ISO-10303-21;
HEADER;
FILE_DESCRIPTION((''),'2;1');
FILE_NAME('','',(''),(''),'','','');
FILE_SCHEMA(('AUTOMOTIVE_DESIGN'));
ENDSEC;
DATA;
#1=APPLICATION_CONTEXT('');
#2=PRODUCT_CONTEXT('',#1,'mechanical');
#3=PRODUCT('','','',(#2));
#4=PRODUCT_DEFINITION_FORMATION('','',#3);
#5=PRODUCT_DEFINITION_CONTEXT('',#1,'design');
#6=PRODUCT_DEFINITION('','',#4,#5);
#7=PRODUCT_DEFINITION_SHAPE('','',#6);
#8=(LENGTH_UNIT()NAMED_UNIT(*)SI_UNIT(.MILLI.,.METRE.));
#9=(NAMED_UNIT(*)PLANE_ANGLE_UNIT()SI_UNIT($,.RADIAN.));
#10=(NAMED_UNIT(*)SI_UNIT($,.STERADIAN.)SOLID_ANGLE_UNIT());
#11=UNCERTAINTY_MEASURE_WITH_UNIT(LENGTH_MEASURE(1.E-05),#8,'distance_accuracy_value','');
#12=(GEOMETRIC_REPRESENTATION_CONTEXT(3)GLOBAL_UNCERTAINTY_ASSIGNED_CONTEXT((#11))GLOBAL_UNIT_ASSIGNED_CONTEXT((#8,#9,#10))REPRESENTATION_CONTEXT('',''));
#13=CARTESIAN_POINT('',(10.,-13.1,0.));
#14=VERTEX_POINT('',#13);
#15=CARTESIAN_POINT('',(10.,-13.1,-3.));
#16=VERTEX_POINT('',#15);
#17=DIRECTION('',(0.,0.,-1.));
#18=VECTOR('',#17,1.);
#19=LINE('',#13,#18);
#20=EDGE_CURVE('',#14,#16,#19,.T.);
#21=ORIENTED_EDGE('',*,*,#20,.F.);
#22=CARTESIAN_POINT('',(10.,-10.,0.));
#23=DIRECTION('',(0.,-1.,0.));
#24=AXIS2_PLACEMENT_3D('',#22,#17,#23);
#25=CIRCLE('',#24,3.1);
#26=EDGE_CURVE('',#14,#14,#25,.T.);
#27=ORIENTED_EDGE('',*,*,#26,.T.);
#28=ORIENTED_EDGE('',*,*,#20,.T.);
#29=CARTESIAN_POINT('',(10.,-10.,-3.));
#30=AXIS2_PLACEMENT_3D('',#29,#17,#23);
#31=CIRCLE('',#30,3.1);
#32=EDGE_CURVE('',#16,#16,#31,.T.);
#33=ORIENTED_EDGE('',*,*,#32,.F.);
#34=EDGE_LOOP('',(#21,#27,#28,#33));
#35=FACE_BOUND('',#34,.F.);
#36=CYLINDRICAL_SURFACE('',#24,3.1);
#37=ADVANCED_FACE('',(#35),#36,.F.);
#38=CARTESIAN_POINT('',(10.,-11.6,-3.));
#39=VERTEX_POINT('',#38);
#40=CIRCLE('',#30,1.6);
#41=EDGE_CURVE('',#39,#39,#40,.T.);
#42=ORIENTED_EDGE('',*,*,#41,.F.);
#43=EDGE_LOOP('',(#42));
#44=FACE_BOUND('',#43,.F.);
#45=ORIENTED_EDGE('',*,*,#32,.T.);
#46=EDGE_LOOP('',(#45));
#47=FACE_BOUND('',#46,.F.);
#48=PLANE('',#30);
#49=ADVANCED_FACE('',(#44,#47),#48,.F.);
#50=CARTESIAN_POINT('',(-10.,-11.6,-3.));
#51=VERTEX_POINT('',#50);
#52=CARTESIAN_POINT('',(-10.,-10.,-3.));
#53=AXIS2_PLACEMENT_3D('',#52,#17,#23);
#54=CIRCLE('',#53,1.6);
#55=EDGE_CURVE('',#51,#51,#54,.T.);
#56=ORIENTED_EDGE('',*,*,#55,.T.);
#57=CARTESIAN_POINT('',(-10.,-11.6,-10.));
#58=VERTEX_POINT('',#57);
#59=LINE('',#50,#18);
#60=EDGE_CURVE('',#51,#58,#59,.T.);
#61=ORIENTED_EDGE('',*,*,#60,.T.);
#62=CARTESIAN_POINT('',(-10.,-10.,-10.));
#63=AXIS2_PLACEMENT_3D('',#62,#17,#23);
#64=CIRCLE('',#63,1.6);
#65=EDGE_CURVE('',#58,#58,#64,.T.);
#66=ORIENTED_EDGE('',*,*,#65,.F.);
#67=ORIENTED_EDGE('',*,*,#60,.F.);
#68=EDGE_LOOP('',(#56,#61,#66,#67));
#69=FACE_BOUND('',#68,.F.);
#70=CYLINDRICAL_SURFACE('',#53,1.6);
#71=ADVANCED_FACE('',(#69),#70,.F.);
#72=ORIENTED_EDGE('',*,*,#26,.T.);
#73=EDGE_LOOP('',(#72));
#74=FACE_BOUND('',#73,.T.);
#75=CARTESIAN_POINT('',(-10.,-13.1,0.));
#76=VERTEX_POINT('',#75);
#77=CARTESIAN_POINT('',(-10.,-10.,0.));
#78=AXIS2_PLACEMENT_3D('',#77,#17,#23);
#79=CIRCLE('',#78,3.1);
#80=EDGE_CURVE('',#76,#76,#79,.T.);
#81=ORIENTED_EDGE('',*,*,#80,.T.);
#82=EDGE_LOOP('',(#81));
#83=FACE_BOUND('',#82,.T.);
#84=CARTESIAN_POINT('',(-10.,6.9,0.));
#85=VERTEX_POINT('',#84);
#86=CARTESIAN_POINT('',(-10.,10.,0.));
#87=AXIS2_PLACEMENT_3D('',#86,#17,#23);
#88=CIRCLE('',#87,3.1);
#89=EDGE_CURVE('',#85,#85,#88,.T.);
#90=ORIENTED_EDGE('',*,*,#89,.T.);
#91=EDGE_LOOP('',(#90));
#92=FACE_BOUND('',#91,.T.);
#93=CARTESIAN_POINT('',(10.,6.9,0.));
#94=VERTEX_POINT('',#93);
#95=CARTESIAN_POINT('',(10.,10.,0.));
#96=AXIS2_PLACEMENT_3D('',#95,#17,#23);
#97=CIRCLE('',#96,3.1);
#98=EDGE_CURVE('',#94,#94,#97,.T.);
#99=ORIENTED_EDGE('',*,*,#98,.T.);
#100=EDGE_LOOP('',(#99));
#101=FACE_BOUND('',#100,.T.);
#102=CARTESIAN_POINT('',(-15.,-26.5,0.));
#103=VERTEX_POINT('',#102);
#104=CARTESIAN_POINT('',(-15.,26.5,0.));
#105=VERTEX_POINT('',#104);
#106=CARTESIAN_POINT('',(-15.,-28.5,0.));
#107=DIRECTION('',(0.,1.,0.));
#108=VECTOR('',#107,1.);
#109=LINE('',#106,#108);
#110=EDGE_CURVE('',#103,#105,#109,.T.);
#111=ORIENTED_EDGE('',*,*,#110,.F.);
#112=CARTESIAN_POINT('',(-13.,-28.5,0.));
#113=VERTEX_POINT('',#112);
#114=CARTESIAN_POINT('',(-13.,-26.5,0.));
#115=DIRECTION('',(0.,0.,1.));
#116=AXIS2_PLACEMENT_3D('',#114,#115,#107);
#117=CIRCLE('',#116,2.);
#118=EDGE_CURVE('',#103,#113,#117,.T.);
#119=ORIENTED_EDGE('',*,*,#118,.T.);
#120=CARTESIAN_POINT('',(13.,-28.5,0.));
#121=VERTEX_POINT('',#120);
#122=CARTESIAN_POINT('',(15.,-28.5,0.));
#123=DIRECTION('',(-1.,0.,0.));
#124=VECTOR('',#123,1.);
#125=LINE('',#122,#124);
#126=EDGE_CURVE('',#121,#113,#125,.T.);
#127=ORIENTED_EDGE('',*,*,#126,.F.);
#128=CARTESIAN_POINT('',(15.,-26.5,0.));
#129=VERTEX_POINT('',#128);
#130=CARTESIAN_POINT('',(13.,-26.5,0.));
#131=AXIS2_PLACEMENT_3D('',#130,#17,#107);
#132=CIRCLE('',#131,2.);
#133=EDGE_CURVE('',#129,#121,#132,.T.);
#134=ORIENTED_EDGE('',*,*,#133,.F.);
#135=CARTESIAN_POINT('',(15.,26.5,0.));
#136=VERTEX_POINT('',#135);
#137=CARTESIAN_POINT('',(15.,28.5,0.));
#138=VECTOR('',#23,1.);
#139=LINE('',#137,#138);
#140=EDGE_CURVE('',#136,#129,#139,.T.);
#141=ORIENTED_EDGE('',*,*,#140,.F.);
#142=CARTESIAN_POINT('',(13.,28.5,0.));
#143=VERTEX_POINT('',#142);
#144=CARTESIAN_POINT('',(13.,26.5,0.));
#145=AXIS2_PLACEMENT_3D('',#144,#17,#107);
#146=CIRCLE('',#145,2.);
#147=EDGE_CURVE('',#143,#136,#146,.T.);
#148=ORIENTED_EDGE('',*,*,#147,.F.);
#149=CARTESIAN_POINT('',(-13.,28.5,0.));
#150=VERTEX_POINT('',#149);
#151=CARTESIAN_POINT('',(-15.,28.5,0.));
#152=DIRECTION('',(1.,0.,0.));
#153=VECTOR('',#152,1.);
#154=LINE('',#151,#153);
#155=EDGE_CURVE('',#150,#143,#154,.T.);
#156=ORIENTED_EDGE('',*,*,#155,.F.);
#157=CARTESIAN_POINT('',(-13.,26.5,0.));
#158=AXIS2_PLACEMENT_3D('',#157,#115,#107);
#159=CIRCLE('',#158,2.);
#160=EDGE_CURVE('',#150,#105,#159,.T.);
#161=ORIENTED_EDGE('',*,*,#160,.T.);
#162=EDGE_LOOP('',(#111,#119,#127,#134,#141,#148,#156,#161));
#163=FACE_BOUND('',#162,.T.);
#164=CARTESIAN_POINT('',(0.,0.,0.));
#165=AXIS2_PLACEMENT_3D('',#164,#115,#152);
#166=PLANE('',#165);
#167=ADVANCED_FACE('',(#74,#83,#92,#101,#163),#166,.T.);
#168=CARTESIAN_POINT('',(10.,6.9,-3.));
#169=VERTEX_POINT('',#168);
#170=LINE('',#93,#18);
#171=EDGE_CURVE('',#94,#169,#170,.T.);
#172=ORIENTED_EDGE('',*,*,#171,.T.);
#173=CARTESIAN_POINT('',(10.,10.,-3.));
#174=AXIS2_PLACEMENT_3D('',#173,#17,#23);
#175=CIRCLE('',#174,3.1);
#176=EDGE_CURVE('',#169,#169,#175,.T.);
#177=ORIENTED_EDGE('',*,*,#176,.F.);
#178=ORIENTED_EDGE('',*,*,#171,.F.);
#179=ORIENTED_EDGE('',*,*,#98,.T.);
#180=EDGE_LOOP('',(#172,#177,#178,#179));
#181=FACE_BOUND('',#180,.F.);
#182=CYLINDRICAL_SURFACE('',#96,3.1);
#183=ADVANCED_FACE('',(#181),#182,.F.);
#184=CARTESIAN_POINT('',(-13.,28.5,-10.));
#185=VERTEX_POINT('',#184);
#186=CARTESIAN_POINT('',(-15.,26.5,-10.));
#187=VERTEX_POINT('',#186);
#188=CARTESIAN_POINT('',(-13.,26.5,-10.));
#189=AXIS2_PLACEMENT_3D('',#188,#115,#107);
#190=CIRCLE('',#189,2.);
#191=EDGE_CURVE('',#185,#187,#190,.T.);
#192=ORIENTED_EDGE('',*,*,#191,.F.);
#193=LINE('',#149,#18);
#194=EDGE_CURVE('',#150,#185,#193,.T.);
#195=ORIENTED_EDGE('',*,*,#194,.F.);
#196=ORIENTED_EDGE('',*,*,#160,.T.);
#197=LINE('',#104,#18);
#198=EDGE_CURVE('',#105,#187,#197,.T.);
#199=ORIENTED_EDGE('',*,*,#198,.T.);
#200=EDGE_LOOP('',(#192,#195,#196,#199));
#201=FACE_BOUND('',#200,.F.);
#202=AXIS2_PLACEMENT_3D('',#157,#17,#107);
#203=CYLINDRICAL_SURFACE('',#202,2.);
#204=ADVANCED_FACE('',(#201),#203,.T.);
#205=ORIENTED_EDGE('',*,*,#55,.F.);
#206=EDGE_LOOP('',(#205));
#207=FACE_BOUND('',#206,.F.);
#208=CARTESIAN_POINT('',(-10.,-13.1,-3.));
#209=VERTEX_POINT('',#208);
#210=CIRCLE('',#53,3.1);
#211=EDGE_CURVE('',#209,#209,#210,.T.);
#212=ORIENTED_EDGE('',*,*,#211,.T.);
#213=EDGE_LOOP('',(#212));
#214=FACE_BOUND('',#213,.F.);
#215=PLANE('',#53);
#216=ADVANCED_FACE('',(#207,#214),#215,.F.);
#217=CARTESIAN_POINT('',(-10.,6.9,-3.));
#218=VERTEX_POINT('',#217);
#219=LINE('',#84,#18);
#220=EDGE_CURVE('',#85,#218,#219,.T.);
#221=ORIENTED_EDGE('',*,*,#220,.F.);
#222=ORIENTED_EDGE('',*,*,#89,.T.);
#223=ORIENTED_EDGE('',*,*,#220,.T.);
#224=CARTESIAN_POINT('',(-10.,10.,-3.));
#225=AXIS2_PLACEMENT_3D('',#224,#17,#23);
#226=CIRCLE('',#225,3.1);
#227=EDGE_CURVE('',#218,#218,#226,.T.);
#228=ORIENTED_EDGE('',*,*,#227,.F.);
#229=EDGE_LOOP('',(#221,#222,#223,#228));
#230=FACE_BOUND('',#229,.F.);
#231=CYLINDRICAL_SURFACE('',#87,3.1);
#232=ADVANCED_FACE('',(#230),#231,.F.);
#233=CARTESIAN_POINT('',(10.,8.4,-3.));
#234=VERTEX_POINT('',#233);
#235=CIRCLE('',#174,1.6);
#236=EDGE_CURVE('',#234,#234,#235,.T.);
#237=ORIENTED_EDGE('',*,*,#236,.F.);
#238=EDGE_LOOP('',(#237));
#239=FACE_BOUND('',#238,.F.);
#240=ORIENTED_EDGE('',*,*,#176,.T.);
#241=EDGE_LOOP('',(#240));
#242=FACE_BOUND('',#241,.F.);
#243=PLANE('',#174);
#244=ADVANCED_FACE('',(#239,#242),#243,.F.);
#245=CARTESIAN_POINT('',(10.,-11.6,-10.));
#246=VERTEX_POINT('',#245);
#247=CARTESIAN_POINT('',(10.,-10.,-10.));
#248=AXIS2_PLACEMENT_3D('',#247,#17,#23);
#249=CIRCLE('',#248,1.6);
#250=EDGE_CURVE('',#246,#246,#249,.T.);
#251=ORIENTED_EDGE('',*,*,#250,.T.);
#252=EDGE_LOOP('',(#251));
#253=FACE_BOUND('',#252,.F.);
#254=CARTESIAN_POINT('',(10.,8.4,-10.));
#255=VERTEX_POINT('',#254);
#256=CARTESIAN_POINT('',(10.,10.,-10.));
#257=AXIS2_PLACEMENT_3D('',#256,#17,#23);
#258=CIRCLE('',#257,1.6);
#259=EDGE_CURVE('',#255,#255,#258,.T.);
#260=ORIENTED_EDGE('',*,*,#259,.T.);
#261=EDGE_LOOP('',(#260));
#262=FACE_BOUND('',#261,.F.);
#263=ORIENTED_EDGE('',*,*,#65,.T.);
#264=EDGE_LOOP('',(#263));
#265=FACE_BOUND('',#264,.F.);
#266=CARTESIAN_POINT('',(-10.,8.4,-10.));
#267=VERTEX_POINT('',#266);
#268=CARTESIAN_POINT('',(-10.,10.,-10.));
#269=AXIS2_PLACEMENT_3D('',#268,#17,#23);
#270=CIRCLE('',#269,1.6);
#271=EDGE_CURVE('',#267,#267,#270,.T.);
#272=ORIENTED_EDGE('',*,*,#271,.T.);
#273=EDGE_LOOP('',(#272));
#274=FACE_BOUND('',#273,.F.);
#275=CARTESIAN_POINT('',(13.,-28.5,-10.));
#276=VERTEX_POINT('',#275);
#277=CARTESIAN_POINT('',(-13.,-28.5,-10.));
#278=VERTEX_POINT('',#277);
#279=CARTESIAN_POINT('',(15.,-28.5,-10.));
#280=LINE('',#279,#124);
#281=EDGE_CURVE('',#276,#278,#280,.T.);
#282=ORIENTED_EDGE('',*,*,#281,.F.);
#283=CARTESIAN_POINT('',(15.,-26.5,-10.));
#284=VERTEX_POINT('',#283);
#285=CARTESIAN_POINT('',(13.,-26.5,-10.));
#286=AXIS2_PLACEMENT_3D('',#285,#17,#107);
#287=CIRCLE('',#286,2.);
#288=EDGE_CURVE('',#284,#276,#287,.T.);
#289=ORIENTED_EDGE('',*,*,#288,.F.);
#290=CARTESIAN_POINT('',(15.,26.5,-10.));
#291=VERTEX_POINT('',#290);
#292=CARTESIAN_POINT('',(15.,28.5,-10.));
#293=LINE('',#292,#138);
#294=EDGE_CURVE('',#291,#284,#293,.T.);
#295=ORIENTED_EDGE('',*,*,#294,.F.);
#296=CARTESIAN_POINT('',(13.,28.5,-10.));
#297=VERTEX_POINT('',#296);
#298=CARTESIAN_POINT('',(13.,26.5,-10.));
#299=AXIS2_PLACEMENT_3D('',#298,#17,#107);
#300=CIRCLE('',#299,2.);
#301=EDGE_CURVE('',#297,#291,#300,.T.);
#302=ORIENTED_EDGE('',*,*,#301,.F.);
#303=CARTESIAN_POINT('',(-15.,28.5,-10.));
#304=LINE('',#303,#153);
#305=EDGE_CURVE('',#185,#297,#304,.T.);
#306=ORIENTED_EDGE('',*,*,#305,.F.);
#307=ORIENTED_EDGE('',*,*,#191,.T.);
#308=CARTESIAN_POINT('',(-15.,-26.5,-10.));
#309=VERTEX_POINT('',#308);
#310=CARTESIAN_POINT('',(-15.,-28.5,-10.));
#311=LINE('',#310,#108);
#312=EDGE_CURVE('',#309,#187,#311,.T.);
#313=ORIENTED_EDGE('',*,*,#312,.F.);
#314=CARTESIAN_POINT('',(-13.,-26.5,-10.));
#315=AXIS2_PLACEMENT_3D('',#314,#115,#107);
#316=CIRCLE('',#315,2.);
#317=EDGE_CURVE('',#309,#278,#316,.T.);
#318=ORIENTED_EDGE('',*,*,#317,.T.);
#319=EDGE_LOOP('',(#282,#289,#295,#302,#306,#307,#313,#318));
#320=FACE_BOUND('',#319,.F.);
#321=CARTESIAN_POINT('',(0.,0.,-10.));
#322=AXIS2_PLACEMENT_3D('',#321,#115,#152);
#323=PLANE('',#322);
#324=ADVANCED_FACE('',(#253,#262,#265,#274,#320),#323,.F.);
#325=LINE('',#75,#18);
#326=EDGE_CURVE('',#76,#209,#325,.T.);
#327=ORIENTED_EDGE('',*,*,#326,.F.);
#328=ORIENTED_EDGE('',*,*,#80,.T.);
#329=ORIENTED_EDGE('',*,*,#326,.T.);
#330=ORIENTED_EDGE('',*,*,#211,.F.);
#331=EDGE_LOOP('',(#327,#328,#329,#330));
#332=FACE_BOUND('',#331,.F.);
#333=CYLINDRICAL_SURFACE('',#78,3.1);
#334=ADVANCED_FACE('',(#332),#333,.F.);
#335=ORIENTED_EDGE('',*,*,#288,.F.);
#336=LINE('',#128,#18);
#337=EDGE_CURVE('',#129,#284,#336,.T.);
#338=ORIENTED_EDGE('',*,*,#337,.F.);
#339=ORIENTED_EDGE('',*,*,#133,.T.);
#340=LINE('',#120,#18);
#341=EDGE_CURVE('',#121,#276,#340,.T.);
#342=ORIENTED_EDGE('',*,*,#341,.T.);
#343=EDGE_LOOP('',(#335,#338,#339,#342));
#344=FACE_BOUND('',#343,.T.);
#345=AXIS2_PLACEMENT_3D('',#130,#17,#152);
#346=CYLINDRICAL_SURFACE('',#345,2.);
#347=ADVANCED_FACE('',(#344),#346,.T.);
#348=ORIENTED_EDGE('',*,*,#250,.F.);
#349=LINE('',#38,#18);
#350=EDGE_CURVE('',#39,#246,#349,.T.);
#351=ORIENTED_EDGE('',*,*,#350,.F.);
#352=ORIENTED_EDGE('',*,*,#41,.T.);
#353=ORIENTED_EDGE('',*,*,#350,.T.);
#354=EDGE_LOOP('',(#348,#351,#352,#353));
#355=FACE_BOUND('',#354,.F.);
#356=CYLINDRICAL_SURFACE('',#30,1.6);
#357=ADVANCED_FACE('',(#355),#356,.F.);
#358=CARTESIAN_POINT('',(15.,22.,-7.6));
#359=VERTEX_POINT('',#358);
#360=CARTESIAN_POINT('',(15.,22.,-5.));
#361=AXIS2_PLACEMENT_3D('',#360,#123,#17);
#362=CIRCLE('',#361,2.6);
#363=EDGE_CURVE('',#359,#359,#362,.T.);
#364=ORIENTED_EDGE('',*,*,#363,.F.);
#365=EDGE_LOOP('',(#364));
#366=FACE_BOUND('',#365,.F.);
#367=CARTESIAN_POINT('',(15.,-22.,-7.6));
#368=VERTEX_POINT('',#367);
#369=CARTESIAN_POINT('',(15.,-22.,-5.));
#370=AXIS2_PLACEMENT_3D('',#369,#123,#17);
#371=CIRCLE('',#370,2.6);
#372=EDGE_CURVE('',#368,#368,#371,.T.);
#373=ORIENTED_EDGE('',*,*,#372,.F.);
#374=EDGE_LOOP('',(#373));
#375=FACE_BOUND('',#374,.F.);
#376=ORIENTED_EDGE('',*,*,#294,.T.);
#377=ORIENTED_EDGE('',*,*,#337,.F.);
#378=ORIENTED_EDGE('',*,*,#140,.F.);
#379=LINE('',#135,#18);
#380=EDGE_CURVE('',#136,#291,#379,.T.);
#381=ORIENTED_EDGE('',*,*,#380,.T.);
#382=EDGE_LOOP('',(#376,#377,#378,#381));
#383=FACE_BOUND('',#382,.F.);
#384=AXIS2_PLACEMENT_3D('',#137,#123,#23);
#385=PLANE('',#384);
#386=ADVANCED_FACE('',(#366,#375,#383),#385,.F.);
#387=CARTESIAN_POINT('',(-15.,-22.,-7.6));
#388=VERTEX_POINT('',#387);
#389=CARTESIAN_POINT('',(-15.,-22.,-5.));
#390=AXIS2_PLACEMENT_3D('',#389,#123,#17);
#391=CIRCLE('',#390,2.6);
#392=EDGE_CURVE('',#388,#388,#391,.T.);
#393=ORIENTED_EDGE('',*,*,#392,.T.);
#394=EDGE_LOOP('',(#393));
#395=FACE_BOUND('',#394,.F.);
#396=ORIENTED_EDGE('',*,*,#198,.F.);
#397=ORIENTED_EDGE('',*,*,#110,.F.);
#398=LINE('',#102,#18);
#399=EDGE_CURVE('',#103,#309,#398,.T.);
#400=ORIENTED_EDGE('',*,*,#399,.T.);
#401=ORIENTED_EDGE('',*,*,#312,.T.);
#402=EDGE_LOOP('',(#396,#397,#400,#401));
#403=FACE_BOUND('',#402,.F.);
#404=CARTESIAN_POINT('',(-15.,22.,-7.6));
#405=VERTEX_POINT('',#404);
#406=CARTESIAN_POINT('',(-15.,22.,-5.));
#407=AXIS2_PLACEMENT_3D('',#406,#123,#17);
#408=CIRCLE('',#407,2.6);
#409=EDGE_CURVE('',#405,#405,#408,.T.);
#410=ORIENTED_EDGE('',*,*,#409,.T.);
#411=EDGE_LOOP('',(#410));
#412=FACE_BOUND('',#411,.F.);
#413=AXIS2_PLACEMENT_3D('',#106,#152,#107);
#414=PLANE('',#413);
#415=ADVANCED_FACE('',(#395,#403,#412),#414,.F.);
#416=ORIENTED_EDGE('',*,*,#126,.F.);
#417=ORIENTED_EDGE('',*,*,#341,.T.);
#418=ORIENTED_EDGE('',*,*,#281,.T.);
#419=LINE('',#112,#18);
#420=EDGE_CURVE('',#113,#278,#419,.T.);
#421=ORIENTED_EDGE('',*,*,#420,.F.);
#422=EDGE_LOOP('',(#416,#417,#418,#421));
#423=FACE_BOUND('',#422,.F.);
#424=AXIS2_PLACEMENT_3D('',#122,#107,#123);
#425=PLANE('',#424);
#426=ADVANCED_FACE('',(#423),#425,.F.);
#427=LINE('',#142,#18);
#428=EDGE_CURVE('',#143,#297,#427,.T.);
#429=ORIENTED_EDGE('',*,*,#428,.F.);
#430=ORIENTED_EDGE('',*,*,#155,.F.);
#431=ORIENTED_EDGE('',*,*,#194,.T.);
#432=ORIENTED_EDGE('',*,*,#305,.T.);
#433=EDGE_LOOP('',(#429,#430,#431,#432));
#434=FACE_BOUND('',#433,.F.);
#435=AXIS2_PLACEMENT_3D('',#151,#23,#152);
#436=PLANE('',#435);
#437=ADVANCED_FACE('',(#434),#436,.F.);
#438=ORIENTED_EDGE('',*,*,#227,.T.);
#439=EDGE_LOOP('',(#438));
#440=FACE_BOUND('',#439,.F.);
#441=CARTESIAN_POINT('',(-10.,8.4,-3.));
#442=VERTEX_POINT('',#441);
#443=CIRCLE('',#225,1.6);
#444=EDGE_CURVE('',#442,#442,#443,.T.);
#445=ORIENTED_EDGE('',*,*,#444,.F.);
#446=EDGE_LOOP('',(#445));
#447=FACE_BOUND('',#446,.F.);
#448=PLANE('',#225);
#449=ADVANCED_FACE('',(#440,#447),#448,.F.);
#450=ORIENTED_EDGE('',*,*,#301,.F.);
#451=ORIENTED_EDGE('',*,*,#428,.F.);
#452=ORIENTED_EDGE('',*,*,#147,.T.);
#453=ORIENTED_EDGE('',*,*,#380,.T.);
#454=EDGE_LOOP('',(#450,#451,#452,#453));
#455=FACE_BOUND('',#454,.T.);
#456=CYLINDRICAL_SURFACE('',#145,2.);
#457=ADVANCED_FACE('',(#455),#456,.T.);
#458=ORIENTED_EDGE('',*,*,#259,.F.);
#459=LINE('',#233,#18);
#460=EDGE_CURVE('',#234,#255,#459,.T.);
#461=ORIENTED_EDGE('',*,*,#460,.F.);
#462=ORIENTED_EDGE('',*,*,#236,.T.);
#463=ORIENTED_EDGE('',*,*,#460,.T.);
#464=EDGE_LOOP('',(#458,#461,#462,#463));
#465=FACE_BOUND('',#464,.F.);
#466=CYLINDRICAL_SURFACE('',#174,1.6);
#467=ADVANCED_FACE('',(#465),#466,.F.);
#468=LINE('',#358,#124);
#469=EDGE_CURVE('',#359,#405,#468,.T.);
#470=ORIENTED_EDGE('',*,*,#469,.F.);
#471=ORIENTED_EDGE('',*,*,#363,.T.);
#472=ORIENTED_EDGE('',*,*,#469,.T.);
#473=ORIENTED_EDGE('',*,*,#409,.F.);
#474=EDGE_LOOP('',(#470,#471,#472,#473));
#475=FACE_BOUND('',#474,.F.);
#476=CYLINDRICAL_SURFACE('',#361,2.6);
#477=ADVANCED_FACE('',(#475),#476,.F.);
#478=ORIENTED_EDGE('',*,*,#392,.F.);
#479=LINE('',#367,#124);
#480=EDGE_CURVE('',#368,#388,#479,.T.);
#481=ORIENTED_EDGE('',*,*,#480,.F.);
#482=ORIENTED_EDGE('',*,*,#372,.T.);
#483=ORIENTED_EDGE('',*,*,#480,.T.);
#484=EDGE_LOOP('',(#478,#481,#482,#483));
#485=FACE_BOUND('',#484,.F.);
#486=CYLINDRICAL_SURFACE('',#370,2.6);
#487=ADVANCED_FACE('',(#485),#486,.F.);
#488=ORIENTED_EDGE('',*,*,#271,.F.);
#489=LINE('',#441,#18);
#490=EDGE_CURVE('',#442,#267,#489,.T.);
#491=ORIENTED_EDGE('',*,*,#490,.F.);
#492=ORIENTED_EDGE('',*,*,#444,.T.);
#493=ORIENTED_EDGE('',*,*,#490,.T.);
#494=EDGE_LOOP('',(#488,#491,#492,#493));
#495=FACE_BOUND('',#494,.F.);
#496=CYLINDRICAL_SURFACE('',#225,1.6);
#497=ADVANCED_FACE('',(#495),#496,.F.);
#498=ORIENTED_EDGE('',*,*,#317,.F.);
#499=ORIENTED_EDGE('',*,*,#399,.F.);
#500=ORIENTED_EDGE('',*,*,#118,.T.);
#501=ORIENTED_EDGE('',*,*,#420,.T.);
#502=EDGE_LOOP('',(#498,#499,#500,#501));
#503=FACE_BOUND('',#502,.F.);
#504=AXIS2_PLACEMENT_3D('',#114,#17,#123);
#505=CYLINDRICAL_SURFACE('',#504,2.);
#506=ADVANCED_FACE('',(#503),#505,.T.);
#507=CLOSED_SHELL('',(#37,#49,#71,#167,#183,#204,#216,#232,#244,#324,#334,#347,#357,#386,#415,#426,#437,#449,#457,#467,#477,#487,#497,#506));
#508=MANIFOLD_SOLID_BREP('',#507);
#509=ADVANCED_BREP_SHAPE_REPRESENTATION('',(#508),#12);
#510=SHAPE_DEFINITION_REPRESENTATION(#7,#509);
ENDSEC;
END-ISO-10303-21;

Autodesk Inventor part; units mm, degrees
ref_plane "YZ Plane" through (0, 0, 0) normal (1, 0, 0) x (0, 1, 0)
ref_plane "XZ Plane" through (0, 0, 0) normal (0, 1, 0) x (-1, 0, 0)
ref_plane "XY Plane" through (0, 0, 0) normal (0, 0, 1) x (1, 0, 0)
sketch "Sketch1" plane through (0, 0, 0) normal (0, 0, 1) x (1, 0, 0)
  line L0 (-15, 28.5) -> (15, 28.5)
  line L1 (15, 28.5) -> (15, -28.5)
  line L2 (15, -28.5) -> (-15, -28.5)
  line L3 (-15, -28.5) -> (-15, 28.5)
  line L4 (-10, 10) -> (10, 10) construction
  line L5 (10, 10) -> (10, -10) construction
  line L6 (10, -10) -> (-10, -10) construction
  line L7 (-10, -10) -> (-10, 10) construction
  point P0 (0, 0)
  point P1 (0, 10)
  point P2 (0, 28.5)
  point P3 (10, 0)
  point P4 (15, 0)
  dimension "d0" = 20
  dimension "d1" = 30
  dimension "d2" = 57
extrude "Extrusion1" add sketch "Sketch1" against normal blind 10
hole "Hole1" at (-10, 10, 0) at (10, 10, 0) at (10, -10, 0) at (-10, -10, 0) direction (0, 0, -1) diameter 3.2 end through all counterbore diameter 6.2 counterbore depth 3
sketch "Sketch2" plane through (15, -28.5, 0) normal (1, 0, 0) x (0, 0, -1)
  line L0 (0, 0) -> (0, 57) projected
  line L1 (0, 0) -> (10, 0) projected
  line L2 (10, 57) -> (10, 0) projected
  line L3 (0, 57) -> (10, 57) projected
  point P0 (0, 28.5)
  point P1 (5, 50.5)
  point P2 (5, 6.5)
  point P3 (5, 57)
  dimension "d12" = 6.5
  dimension "d13" = 6.5
  dimension "d14" = 44
hole "Hole2" at (15, 22, -5) at (15, -22, -5) direction (-1, 0, 0) diameter 5.2 end through all
fillet "Fillet1" radius 2 4 edges at (15, 28.5, -5) (-15, 28.5, -5) (-15, -28.5, -5) (15, -28.5, -5)
equation "\"d13\" = d12"
properties part number "Adapter Mount"
